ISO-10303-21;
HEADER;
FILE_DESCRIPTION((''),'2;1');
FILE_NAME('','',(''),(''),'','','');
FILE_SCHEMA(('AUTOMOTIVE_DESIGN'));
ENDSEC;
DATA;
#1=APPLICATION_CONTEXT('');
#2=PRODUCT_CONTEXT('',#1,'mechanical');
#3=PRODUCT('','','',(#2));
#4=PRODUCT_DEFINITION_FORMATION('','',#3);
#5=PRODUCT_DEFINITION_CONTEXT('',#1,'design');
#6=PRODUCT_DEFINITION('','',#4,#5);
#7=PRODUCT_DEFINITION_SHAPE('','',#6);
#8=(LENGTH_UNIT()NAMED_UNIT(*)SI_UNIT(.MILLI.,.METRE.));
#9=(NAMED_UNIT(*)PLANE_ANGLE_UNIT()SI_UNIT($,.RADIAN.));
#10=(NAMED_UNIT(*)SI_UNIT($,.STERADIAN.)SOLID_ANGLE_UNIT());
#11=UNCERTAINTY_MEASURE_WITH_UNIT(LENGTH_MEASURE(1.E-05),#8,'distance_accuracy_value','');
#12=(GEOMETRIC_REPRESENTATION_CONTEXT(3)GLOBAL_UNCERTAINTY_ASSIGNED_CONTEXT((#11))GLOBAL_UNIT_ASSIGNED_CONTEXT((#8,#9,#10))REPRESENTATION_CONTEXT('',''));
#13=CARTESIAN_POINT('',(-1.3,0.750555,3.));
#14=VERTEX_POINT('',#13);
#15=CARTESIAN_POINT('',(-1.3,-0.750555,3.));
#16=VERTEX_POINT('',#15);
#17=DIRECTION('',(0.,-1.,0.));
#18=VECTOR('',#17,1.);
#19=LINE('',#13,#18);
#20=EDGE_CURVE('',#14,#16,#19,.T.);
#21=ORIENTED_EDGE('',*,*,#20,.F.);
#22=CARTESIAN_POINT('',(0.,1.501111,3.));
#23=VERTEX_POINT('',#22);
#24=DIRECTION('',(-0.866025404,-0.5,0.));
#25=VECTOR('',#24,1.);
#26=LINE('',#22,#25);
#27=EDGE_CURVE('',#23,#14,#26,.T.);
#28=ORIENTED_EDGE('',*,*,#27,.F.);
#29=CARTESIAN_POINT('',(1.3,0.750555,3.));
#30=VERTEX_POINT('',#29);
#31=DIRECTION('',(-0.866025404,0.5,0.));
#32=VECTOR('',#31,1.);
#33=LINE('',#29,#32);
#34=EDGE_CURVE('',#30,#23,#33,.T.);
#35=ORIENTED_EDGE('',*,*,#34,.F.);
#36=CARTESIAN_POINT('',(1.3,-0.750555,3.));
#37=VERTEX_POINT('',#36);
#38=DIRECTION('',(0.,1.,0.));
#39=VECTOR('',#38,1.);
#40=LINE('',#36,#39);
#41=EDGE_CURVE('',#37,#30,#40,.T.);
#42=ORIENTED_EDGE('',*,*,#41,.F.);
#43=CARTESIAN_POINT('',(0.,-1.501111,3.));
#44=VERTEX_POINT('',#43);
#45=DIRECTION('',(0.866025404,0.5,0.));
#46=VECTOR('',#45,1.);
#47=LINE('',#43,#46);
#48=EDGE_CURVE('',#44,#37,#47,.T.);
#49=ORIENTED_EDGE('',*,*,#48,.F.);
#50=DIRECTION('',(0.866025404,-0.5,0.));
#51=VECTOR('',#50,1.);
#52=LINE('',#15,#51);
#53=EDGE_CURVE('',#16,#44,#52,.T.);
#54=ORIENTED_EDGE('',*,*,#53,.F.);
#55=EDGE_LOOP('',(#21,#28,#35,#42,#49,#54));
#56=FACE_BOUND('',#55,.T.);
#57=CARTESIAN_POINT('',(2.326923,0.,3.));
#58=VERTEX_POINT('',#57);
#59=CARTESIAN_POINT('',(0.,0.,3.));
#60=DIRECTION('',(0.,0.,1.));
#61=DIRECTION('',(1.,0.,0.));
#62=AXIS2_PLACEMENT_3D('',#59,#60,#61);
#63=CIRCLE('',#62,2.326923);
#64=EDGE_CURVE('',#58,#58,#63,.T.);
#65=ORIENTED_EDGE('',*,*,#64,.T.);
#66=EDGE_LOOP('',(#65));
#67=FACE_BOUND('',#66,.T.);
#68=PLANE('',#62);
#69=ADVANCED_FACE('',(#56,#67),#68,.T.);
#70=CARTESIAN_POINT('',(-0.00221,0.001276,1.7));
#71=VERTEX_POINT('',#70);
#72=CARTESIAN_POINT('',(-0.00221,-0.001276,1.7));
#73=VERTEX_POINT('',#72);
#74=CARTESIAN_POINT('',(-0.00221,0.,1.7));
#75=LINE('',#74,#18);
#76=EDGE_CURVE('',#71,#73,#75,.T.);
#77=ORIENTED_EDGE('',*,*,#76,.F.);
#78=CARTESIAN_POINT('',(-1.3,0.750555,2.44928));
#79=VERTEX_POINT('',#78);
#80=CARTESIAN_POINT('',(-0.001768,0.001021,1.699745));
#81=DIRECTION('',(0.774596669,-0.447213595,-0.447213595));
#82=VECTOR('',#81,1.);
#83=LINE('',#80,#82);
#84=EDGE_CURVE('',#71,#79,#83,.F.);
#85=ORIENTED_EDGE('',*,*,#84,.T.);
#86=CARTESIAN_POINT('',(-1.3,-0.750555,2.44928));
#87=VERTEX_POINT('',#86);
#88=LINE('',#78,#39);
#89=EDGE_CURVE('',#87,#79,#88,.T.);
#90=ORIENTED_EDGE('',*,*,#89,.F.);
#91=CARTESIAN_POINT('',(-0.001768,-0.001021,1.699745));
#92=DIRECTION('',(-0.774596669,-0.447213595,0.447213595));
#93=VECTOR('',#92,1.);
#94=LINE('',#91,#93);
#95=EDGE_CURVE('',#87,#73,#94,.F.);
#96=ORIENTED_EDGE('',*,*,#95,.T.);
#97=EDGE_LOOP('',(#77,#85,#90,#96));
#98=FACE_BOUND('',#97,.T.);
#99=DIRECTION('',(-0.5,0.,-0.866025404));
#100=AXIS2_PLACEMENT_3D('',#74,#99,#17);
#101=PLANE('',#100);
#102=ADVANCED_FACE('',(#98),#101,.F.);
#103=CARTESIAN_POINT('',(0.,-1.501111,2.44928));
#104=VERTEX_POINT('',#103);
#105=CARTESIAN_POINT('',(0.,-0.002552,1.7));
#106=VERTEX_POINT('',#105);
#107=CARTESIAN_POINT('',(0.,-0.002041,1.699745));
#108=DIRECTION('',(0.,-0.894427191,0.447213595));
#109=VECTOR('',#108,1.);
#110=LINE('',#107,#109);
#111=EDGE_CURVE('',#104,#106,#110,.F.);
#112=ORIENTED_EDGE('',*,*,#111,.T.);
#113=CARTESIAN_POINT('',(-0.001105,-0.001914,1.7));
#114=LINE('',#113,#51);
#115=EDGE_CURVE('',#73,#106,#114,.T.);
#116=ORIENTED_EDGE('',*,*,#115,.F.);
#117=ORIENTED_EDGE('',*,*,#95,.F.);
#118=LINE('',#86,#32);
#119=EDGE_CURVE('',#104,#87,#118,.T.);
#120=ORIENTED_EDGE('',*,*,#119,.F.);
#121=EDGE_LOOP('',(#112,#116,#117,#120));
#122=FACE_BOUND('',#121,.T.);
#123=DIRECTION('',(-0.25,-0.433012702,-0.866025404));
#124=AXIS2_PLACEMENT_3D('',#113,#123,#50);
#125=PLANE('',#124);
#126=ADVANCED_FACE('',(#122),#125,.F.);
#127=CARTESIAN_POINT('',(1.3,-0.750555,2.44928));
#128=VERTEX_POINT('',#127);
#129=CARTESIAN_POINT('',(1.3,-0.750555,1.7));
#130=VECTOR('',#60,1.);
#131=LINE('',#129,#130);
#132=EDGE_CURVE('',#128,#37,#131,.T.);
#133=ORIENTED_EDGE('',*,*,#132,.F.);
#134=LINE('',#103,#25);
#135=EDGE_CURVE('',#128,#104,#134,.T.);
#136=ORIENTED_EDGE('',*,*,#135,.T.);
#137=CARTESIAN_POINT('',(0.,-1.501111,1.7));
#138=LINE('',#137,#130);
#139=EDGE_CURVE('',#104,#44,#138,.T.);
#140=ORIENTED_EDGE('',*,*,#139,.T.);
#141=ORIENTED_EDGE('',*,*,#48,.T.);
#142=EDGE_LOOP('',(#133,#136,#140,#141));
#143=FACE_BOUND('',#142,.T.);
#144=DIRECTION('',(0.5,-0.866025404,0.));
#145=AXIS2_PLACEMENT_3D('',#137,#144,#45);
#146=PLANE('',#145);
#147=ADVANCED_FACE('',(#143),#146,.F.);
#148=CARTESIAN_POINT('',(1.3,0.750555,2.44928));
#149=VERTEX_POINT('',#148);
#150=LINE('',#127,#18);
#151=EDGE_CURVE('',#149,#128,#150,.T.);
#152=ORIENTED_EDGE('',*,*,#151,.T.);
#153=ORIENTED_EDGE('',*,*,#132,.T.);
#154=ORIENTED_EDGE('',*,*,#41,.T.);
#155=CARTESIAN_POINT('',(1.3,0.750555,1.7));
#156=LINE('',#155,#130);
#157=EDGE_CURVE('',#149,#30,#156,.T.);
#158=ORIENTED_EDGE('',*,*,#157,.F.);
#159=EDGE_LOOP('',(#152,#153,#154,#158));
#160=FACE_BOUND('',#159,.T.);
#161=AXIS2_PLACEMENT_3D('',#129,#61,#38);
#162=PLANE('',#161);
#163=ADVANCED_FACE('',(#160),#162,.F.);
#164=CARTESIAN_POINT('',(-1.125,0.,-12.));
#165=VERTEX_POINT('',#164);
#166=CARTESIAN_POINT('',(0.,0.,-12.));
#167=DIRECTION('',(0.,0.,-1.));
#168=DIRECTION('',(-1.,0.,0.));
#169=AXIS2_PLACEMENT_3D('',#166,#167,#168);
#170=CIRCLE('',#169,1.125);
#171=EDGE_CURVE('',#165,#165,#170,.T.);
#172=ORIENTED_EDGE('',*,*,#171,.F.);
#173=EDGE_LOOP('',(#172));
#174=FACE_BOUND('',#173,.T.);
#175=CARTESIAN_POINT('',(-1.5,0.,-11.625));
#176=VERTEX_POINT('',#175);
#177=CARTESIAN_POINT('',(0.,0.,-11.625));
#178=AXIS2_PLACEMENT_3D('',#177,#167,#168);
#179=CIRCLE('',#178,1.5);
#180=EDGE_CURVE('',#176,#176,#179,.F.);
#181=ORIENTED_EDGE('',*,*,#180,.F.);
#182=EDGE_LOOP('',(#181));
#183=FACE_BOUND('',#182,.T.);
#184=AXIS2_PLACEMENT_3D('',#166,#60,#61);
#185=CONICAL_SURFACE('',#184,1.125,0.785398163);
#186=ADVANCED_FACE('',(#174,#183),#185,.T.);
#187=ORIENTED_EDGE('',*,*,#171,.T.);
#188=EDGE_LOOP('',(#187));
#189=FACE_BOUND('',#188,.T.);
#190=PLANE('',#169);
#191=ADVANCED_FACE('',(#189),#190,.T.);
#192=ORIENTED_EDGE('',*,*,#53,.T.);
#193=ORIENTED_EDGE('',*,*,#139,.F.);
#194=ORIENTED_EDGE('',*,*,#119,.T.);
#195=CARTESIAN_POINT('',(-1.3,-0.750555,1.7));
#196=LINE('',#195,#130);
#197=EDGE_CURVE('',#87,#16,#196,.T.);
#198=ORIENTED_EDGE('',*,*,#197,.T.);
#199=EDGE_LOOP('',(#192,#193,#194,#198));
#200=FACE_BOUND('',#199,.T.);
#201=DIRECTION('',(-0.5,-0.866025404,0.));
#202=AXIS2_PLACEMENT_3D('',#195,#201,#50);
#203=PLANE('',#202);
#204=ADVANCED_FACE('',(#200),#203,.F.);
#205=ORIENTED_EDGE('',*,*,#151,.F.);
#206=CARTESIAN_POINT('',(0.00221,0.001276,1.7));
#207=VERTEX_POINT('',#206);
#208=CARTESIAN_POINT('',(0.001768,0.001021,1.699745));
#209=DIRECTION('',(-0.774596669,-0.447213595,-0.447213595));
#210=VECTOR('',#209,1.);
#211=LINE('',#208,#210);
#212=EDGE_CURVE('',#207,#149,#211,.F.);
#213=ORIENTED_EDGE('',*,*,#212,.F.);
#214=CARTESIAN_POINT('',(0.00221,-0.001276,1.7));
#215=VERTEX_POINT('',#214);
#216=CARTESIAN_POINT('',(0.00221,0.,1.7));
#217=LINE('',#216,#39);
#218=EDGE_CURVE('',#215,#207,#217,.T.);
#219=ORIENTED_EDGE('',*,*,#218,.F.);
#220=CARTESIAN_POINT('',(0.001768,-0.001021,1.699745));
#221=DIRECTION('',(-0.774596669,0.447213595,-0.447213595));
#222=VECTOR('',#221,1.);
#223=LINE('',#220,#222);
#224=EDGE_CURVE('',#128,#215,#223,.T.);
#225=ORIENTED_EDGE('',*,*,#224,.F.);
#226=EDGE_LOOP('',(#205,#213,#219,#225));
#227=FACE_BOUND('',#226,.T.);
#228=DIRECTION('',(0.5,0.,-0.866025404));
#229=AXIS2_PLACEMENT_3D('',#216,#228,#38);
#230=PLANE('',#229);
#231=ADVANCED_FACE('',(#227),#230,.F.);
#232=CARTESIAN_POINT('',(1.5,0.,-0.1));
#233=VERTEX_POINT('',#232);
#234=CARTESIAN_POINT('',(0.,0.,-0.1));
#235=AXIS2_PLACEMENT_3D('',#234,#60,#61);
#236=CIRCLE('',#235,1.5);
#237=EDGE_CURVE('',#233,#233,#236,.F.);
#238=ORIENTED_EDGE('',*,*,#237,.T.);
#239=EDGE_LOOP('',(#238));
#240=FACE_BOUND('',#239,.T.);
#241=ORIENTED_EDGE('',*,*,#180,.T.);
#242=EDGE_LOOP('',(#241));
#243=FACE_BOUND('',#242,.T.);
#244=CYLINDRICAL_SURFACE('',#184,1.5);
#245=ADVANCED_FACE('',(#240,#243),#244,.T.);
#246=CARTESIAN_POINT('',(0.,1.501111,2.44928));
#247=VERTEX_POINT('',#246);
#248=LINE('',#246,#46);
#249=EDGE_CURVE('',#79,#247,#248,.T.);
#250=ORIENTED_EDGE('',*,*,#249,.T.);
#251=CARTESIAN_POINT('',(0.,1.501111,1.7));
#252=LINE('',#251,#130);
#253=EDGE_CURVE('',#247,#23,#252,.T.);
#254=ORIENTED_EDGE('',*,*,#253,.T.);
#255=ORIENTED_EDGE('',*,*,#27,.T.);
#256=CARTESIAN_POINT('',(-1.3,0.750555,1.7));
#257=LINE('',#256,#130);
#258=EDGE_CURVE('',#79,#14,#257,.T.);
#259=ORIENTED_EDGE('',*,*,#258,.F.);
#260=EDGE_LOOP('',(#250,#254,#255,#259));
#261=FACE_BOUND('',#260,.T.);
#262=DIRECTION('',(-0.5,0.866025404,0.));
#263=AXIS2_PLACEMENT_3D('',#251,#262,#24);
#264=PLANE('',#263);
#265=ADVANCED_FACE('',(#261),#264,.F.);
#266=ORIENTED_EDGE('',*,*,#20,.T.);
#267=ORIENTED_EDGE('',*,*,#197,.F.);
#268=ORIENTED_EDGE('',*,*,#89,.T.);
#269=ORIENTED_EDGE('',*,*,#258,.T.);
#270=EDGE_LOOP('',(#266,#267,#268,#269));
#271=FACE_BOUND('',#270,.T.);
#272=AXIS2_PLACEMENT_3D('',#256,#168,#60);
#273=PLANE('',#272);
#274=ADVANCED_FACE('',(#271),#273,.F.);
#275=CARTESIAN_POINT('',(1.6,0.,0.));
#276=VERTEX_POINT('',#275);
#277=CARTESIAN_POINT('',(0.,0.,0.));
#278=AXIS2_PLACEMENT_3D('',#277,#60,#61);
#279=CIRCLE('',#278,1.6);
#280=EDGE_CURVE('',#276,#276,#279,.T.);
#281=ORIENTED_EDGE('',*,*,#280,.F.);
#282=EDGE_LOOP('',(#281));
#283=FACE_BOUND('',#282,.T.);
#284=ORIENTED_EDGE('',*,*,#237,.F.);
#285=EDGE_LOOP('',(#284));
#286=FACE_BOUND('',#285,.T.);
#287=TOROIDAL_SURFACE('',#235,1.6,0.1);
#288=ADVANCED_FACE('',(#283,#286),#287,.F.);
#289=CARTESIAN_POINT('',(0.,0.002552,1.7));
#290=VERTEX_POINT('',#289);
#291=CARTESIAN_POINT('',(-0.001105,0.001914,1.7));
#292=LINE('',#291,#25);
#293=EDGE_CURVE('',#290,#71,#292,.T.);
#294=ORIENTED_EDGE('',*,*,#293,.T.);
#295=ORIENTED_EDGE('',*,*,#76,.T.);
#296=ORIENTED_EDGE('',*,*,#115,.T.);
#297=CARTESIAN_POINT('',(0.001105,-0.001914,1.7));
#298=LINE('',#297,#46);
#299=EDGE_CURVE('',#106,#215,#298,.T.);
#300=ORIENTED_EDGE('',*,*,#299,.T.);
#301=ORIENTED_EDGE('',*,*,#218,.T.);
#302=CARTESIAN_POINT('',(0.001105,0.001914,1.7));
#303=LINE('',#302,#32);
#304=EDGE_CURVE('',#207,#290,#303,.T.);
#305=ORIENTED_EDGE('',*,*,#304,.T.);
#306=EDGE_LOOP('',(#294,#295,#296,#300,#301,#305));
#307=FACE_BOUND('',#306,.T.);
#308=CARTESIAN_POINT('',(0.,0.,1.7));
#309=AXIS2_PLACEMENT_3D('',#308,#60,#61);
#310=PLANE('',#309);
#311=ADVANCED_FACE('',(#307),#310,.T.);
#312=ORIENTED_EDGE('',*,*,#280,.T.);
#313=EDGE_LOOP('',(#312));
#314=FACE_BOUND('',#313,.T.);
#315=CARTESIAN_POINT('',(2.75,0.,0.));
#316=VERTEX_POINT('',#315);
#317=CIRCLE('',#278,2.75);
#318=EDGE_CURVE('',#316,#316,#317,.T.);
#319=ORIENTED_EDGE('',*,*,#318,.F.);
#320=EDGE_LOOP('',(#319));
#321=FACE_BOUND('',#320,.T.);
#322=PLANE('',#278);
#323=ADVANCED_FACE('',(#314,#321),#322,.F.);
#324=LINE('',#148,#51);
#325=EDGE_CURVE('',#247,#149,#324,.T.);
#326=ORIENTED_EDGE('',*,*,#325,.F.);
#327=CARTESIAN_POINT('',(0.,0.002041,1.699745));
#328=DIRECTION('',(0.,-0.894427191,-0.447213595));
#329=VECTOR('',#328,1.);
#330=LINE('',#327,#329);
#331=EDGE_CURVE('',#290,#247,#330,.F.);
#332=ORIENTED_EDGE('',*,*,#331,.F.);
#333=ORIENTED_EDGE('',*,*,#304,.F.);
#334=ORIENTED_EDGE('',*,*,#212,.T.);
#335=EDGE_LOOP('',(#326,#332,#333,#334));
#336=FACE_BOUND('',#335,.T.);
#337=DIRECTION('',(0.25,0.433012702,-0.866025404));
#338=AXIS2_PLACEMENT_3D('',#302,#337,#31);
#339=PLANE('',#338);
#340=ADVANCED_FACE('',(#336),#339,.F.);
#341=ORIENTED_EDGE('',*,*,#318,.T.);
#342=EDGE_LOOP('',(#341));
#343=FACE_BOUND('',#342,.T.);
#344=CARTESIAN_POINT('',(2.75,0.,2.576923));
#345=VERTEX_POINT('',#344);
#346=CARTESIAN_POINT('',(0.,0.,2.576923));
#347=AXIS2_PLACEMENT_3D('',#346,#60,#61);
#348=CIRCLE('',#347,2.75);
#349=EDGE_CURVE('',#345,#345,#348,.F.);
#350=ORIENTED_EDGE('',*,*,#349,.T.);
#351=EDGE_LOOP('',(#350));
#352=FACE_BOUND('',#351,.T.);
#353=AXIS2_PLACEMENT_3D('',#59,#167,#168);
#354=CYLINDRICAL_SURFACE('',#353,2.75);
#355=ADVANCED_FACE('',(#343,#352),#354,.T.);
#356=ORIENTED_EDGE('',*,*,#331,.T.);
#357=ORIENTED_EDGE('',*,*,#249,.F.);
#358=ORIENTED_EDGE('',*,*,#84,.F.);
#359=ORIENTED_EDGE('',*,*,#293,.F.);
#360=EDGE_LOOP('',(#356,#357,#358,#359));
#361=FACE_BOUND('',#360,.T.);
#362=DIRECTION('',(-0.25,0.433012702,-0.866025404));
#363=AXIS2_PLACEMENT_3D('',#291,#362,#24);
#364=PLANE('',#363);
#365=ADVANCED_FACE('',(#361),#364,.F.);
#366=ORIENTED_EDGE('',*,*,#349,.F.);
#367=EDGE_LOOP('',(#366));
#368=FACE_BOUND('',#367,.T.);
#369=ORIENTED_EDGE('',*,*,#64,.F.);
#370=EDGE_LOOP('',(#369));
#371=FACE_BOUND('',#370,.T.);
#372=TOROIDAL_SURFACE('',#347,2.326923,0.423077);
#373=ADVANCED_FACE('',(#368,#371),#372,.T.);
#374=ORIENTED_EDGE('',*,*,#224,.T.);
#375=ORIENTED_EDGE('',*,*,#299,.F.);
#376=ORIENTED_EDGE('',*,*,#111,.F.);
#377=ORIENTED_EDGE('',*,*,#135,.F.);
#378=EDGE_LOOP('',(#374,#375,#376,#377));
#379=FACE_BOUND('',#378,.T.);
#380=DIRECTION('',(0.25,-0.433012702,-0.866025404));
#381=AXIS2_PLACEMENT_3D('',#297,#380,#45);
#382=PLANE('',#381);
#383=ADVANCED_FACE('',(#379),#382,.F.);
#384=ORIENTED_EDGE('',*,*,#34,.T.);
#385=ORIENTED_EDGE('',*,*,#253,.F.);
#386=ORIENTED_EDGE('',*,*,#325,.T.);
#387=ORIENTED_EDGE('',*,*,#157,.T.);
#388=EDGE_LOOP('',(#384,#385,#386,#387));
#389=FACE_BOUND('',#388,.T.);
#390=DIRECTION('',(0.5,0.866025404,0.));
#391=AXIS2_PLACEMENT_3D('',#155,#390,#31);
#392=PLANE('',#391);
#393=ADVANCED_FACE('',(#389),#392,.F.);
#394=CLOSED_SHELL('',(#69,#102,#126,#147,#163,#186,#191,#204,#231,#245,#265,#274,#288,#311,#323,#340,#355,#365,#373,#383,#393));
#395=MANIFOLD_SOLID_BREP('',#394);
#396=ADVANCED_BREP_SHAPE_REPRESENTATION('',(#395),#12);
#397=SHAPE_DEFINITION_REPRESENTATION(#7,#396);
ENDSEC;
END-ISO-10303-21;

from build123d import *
from OCP.BRepFilletAPI import BRepFilletAPI_MakeChamfer

# Parameters (mm, degrees)
SKETCH_1_R          = 2.75
EXTRUDE_1_DEPTH     = 3
CUT_EXTRUDE_1_DEPTH = 1.3
SKETCH_3_R          = 1.5
EXTRUDE_2_DEPTH     = 12
CHAMFER_1_SIZE      = 0.375
FILLET_1_R          = 0.423076923
CHAMFER_2_SIZE      = 0.749279539
CHAMFER_2_SIZE2     = 1.29779023
FILLET_2_R          = 0.1


with BuildPart() as part:
    # 草图1 → 凸台-拉伸1 (new body)
    with BuildSketch(Plane.XY):
        Circle(SKETCH_1_R)
    extrude(amount=EXTRUDE_1_DEPTH)

    # 草图2 → 切除-拉伸1 (cut)
    with BuildSketch(Plane.XY.offset(3)):
        Polygon((1.3, 0.75055535), (0, 1.5011107), (-1.3, 0.75055535), (-1.3, -0.75055535), (0, -1.5011107), (1.3, -0.75055535), align=None)
    extrude(amount=-CUT_EXTRUDE_1_DEPTH, mode=Mode.SUBTRACT)

    # 草图3 → 凸台-拉伸2 (add)
    with BuildSketch(Plane(origin=(0, 0, 0), x_dir=(-1, 0, 0), z_dir=(0, 0, -1))):
        Circle(SKETCH_3_R)
    extrude(amount=EXTRUDE_2_DEPTH)

    # 倒角1
    chamfer_1_edges = [part.edges().sort_by_distance(p)[0] for p in [
        (1.5, 0, -12),
    ]]
    chamfer(chamfer_1_edges, length=CHAMFER_1_SIZE)

    # 圆角1
    fillet_1_edges = [part.edges().sort_by_distance(p)[0] for p in [
        (-2.75, 0, 3),
    ]]
    fillet(fillet_1_edges, radius=FILLET_1_R)

    # 倒角2: one chamfer whose edges measure the first distance from different faces: ONE call of the kernel's chamfer builder (chamfer() names one face for all edges)
    chamfer_2_edges_1 = [part.edges().sort_by_distance(p)[0] for p in [
        (-1.3, 0, 1.7),
    ]]
    chamfer_2_side_1 = [part.faces().sort_by_distance(p)[0] for p in [
        (-1.3, 0, 2.35),
    ]]
    chamfer_2_edges_2 = [part.edges().sort_by_distance(p)[0] for p in [
        (-0.65, 1.125833025, 1.7),
    ]]
    chamfer_2_side_2 = [part.faces().sort_by_distance(p)[0] for p in [
        (-0.65, 1.125833025, 2.35),
    ]]
    chamfer_2_edges_3 = [part.edges().sort_by_distance(p)[0] for p in [
        (0.65, 1.125833025, 1.7),
    ]]
    chamfer_2_side_3 = [part.faces().sort_by_distance(p)[0] for p in [
        (0.65, 1.125833025, 2.35),
    ]]
    chamfer_2_edges_4 = [part.edges().sort_by_distance(p)[0] for p in [
        (1.3, 0, 1.7),
    ]]
    chamfer_2_side_4 = [part.faces().sort_by_distance(p)[0] for p in [
        (1.3, 0, 2.35),
    ]]
    chamfer_2_edges_5 = [part.edges().sort_by_distance(p)[0] for p in [
        (-0.65, -1.125833025, 1.7),
    ]]
    chamfer_2_side_5 = [part.faces().sort_by_distance(p)[0] for p in [
        (-0.65, -1.125833025, 2.35),
    ]]
    chamfer_2_edges_6 = [part.edges().sort_by_distance(p)[0] for p in [
        (0.65, -1.125833025, 1.7),
    ]]
    chamfer_2_side_6 = [part.faces().sort_by_distance(p)[0] for p in [
        (0.65, -1.125833025, 2.35),
    ]]
    chamfer_2 = BRepFilletAPI_MakeChamfer(part.part.solid().wrapped)
    for e in chamfer_2_edges_1:
        chamfer_2.Add(CHAMFER_2_SIZE, CHAMFER_2_SIZE2, e.wrapped, chamfer_2_side_1[0].wrapped)  # the first distance lies on this face
    for e in chamfer_2_edges_2:
        chamfer_2.Add(CHAMFER_2_SIZE, CHAMFER_2_SIZE2, e.wrapped, chamfer_2_side_2[0].wrapped)  # the first distance lies on this face
    for e in chamfer_2_edges_3:
        chamfer_2.Add(CHAMFER_2_SIZE, CHAMFER_2_SIZE2, e.wrapped, chamfer_2_side_3[0].wrapped)  # the first distance lies on this face
    for e in chamfer_2_edges_4:
        chamfer_2.Add(CHAMFER_2_SIZE, CHAMFER_2_SIZE2, e.wrapped, chamfer_2_side_4[0].wrapped)  # the first distance lies on this face
    for e in chamfer_2_edges_5:
        chamfer_2.Add(CHAMFER_2_SIZE, CHAMFER_2_SIZE2, e.wrapped, chamfer_2_side_5[0].wrapped)  # the first distance lies on this face
    for e in chamfer_2_edges_6:
        chamfer_2.Add(CHAMFER_2_SIZE, CHAMFER_2_SIZE2, e.wrapped, chamfer_2_side_6[0].wrapped)  # the first distance lies on this face
    add(Compound.cast(chamfer_2.Shape()), mode=Mode.REPLACE)

    # 圆角2
    fillet_2_edges = [part.edges().sort_by_distance(p)[0] for p in [
        (1.5, 0, 0),
    ]]
    fillet(fillet_2_edges, radius=FILLET_2_R)


solid = part.part
